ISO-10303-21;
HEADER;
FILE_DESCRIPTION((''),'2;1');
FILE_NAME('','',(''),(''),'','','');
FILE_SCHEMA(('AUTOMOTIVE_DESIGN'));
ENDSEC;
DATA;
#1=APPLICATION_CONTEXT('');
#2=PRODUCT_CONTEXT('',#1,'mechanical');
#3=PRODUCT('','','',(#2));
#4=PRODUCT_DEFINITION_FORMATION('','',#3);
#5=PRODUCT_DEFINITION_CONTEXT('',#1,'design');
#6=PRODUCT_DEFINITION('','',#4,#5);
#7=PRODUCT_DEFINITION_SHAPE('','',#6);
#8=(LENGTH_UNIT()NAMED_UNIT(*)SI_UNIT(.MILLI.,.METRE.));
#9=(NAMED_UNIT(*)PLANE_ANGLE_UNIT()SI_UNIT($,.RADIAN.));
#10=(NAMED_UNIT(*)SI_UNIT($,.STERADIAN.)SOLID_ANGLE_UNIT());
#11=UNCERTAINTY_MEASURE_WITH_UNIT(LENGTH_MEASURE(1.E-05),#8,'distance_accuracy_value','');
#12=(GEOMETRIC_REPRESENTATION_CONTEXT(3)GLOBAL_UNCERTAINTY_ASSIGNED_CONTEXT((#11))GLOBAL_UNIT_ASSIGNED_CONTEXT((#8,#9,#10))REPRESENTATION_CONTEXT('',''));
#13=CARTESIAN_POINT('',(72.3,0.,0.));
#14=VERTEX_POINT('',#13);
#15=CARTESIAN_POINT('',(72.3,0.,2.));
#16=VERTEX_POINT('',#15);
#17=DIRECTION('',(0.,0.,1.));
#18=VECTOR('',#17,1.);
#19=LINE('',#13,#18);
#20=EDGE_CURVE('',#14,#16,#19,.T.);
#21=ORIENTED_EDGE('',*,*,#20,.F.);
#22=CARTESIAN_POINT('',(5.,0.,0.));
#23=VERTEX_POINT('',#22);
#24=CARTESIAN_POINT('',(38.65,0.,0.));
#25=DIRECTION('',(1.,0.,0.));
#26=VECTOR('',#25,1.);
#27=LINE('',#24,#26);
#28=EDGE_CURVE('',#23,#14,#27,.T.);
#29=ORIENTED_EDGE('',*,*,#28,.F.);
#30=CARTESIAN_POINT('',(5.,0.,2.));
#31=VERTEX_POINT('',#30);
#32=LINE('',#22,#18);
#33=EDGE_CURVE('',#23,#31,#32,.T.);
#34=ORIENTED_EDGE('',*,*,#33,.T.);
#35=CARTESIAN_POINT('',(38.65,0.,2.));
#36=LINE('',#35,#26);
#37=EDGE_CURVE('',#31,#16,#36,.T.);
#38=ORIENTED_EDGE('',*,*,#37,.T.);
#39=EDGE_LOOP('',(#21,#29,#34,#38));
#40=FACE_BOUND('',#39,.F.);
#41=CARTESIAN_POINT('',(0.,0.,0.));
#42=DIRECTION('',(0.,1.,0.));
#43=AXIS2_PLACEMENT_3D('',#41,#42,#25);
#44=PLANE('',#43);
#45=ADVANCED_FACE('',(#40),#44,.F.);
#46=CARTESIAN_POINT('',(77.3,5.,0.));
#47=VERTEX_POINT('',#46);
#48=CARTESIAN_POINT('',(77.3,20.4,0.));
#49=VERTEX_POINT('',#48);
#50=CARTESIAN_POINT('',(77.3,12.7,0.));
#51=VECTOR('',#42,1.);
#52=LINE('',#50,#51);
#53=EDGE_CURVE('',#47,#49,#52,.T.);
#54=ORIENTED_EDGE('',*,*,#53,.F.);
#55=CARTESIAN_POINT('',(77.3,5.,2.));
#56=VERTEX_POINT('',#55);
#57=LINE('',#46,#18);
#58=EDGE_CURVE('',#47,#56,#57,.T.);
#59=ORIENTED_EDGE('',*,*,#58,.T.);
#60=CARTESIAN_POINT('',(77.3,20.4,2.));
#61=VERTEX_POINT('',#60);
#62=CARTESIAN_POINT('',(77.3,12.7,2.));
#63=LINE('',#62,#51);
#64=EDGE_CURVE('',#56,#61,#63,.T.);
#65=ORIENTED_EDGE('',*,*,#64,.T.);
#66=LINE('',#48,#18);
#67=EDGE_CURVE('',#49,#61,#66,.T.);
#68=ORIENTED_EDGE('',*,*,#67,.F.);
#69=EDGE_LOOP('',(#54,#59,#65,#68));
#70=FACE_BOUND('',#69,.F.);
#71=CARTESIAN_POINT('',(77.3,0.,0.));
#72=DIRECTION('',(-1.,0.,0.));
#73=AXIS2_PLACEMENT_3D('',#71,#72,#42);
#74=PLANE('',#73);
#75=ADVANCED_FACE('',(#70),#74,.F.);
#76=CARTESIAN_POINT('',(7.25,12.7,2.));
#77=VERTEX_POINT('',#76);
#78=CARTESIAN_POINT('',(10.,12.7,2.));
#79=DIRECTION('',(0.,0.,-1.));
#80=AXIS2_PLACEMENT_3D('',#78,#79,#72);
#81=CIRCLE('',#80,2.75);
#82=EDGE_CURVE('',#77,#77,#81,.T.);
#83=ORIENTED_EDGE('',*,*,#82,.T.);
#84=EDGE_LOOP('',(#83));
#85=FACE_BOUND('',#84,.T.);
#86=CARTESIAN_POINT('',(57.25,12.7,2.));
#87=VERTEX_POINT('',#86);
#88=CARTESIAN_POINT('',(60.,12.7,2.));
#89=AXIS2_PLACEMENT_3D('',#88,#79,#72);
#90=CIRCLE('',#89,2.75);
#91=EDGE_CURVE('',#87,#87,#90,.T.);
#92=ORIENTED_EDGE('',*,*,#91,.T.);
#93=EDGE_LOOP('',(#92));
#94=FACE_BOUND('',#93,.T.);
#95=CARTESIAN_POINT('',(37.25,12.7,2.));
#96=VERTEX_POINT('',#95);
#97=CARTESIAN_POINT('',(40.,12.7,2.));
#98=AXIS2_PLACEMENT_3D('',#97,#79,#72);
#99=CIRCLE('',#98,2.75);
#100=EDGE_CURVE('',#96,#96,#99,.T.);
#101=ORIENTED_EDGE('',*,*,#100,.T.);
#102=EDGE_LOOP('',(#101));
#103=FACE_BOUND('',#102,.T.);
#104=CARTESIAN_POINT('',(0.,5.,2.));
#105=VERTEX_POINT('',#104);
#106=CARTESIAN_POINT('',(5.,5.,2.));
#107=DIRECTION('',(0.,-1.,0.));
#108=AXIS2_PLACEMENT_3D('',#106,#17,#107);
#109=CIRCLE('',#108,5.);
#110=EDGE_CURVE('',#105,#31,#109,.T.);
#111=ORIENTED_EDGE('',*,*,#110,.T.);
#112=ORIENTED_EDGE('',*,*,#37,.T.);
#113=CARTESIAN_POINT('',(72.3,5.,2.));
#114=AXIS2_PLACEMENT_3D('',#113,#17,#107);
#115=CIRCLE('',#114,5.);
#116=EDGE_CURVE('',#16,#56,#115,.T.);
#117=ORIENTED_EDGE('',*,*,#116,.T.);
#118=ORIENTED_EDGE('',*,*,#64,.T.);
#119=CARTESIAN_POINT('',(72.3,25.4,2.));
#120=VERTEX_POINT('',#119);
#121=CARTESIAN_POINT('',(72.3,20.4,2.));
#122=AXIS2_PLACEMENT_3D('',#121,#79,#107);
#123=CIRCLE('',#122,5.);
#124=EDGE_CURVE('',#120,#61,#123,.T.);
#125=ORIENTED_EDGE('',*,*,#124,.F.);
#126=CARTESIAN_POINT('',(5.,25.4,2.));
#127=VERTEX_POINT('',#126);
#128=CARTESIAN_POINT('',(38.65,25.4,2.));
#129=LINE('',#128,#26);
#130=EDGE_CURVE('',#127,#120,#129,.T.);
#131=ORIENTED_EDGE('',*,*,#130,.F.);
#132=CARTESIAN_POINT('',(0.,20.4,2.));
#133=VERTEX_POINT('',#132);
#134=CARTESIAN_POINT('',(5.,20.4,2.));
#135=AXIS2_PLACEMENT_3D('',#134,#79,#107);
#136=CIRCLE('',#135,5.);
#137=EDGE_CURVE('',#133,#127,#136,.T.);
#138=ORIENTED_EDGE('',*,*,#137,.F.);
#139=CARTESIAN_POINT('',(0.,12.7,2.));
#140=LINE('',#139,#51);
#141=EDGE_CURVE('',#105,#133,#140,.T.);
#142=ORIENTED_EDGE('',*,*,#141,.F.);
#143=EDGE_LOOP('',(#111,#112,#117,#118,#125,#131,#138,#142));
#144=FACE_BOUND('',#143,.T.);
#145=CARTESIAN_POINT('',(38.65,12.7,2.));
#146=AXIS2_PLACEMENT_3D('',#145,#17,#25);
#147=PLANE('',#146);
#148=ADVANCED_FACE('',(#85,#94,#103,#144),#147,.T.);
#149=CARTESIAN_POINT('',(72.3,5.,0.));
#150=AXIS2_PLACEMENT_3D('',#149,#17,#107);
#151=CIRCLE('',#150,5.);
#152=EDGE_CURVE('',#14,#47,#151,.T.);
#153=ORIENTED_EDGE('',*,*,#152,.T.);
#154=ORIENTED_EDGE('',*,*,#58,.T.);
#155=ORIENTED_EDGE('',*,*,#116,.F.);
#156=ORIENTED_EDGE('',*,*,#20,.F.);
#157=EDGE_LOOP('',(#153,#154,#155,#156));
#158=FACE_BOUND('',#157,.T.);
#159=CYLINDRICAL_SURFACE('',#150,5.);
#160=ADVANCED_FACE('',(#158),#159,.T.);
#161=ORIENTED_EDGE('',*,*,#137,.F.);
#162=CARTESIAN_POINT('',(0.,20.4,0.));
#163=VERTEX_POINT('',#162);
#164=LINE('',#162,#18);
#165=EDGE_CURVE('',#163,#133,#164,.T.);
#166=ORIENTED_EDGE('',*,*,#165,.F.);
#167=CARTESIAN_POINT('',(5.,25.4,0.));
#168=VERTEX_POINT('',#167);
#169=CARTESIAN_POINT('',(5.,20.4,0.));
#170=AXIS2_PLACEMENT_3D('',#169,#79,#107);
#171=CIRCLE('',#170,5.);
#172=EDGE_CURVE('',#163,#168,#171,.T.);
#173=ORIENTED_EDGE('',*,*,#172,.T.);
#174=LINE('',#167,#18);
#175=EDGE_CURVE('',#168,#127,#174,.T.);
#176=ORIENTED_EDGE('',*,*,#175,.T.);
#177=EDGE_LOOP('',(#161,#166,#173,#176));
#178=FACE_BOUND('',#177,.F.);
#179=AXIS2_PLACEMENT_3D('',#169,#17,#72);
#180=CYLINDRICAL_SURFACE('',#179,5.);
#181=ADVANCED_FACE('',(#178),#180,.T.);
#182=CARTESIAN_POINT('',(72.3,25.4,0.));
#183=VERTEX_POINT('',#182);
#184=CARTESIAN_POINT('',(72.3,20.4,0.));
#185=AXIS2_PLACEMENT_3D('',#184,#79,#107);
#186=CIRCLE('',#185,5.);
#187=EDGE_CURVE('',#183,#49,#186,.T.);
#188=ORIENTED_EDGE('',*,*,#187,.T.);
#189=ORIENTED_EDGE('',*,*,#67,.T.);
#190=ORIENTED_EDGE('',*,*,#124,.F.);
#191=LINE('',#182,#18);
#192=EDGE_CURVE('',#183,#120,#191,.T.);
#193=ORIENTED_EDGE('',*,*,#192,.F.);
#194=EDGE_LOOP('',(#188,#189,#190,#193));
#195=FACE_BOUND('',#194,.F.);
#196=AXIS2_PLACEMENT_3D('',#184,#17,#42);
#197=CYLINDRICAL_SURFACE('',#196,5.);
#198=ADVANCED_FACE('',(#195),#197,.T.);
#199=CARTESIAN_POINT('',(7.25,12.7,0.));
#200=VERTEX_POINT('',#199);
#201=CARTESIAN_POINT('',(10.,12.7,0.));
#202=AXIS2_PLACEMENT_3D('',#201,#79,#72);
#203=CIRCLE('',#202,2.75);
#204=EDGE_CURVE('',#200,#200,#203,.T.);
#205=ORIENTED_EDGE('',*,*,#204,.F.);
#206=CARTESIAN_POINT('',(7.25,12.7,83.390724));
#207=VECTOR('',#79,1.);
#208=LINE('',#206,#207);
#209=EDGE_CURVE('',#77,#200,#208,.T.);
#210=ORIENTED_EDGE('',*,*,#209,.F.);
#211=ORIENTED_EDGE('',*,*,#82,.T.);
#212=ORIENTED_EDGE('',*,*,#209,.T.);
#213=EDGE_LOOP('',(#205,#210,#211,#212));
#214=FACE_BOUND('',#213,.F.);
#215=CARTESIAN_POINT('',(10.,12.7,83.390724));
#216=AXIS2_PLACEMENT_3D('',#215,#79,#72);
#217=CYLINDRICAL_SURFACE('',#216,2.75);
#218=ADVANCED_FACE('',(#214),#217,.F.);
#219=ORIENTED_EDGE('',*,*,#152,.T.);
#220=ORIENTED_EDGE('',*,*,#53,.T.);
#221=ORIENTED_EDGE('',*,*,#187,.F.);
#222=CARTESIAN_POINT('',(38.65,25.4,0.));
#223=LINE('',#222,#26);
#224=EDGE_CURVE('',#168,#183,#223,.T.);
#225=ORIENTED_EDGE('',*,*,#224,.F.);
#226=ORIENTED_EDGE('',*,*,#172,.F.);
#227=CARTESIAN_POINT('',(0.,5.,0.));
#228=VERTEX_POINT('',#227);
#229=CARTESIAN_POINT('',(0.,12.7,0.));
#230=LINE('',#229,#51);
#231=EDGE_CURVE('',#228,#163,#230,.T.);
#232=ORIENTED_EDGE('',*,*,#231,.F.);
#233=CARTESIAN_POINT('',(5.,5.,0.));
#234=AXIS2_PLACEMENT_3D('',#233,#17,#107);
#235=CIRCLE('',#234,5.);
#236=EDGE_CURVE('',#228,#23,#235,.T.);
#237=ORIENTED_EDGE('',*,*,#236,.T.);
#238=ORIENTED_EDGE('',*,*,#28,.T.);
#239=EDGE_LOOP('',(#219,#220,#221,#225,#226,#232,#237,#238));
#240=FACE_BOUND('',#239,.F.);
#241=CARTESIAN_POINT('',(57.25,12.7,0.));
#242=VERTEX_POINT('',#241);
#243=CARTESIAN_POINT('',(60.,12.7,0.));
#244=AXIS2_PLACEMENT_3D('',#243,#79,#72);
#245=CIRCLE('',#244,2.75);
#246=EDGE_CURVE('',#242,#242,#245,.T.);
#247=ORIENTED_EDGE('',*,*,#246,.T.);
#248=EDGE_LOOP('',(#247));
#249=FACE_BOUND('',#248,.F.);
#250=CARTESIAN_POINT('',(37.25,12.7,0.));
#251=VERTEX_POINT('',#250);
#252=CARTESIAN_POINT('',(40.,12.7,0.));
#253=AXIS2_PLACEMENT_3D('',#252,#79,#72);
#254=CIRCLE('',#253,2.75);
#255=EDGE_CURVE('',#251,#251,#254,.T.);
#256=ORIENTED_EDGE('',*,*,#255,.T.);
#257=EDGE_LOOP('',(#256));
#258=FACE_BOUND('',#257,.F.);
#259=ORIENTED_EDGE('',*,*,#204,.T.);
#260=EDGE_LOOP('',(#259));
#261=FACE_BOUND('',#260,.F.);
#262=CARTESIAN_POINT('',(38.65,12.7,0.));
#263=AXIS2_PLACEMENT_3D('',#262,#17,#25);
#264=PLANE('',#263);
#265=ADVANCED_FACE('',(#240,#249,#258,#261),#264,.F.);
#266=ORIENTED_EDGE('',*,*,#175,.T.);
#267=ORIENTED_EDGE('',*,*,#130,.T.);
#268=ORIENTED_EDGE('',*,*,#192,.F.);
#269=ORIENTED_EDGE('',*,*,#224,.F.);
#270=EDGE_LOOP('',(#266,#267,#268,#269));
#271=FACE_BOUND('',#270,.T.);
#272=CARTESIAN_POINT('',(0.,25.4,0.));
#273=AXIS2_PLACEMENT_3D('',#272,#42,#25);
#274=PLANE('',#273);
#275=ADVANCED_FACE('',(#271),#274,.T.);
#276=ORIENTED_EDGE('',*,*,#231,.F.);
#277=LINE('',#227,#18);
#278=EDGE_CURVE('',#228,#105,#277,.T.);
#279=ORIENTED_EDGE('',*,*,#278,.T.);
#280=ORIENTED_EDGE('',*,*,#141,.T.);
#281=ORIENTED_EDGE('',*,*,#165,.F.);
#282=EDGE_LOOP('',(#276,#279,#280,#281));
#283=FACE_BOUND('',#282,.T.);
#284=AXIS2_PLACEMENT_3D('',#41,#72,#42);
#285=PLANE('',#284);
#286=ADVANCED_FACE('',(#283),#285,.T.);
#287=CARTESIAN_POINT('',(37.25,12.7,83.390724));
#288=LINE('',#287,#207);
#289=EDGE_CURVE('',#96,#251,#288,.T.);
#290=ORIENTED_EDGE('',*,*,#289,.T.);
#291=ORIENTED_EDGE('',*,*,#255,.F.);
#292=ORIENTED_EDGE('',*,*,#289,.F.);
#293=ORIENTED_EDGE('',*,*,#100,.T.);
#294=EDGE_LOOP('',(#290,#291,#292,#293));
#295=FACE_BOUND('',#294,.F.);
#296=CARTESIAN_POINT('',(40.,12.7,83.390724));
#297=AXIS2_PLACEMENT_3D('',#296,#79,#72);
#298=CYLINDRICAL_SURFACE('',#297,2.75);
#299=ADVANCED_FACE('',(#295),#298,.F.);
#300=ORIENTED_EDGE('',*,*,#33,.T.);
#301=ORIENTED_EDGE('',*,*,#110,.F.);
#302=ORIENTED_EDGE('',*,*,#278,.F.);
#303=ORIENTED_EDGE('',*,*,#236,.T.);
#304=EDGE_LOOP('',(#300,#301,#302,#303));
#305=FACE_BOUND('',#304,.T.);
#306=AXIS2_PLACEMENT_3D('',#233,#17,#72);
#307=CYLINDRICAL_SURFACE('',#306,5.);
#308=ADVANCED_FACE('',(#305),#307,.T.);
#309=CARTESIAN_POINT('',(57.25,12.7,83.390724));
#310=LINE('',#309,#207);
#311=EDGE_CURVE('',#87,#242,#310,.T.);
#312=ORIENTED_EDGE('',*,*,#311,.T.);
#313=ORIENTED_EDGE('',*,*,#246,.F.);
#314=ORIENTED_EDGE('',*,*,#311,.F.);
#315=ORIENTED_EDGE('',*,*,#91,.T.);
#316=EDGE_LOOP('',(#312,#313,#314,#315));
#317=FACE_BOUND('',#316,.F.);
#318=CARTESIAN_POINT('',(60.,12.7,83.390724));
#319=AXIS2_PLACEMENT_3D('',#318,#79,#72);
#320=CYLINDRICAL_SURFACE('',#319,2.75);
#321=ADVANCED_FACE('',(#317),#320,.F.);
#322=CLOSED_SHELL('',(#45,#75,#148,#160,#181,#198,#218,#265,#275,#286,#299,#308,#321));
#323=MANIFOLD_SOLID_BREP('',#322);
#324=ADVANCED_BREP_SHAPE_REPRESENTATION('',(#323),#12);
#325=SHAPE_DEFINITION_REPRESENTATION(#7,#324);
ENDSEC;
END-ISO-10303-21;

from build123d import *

# Parameters (mm, degrees)
F0_W     = 77.3
F0_H     = 25.4
F1_DEPTH = 2
F3_D     = 5.5
F4_R     = 5


with BuildPart() as f1:
    # F0 (on Top) → F1 (new body)
    with BuildSketch(Plane.XY):
        with Locations((38.65, 12.7)):
            Rectangle(F0_W, F0_H)
    extrude(amount=F1_DEPTH)

    # F3 (through all)
    with Locations(Plane.XY.offset(2)):
        with Locations((10, 12.7), (40, 12.7), (60, 12.7)):
            Hole(F3_D / 2)

    # F4
    f4_edges = [f1.edges().sort_by_distance(p)[0] for p in [
        (0, 25.4, 1),
        (0, 0, 1),
        (77.3, 0, 1),
        (77.3, 25.4, 1),
    ]]
    fillet(f4_edges, radius=F4_R)


solid = f1.part
